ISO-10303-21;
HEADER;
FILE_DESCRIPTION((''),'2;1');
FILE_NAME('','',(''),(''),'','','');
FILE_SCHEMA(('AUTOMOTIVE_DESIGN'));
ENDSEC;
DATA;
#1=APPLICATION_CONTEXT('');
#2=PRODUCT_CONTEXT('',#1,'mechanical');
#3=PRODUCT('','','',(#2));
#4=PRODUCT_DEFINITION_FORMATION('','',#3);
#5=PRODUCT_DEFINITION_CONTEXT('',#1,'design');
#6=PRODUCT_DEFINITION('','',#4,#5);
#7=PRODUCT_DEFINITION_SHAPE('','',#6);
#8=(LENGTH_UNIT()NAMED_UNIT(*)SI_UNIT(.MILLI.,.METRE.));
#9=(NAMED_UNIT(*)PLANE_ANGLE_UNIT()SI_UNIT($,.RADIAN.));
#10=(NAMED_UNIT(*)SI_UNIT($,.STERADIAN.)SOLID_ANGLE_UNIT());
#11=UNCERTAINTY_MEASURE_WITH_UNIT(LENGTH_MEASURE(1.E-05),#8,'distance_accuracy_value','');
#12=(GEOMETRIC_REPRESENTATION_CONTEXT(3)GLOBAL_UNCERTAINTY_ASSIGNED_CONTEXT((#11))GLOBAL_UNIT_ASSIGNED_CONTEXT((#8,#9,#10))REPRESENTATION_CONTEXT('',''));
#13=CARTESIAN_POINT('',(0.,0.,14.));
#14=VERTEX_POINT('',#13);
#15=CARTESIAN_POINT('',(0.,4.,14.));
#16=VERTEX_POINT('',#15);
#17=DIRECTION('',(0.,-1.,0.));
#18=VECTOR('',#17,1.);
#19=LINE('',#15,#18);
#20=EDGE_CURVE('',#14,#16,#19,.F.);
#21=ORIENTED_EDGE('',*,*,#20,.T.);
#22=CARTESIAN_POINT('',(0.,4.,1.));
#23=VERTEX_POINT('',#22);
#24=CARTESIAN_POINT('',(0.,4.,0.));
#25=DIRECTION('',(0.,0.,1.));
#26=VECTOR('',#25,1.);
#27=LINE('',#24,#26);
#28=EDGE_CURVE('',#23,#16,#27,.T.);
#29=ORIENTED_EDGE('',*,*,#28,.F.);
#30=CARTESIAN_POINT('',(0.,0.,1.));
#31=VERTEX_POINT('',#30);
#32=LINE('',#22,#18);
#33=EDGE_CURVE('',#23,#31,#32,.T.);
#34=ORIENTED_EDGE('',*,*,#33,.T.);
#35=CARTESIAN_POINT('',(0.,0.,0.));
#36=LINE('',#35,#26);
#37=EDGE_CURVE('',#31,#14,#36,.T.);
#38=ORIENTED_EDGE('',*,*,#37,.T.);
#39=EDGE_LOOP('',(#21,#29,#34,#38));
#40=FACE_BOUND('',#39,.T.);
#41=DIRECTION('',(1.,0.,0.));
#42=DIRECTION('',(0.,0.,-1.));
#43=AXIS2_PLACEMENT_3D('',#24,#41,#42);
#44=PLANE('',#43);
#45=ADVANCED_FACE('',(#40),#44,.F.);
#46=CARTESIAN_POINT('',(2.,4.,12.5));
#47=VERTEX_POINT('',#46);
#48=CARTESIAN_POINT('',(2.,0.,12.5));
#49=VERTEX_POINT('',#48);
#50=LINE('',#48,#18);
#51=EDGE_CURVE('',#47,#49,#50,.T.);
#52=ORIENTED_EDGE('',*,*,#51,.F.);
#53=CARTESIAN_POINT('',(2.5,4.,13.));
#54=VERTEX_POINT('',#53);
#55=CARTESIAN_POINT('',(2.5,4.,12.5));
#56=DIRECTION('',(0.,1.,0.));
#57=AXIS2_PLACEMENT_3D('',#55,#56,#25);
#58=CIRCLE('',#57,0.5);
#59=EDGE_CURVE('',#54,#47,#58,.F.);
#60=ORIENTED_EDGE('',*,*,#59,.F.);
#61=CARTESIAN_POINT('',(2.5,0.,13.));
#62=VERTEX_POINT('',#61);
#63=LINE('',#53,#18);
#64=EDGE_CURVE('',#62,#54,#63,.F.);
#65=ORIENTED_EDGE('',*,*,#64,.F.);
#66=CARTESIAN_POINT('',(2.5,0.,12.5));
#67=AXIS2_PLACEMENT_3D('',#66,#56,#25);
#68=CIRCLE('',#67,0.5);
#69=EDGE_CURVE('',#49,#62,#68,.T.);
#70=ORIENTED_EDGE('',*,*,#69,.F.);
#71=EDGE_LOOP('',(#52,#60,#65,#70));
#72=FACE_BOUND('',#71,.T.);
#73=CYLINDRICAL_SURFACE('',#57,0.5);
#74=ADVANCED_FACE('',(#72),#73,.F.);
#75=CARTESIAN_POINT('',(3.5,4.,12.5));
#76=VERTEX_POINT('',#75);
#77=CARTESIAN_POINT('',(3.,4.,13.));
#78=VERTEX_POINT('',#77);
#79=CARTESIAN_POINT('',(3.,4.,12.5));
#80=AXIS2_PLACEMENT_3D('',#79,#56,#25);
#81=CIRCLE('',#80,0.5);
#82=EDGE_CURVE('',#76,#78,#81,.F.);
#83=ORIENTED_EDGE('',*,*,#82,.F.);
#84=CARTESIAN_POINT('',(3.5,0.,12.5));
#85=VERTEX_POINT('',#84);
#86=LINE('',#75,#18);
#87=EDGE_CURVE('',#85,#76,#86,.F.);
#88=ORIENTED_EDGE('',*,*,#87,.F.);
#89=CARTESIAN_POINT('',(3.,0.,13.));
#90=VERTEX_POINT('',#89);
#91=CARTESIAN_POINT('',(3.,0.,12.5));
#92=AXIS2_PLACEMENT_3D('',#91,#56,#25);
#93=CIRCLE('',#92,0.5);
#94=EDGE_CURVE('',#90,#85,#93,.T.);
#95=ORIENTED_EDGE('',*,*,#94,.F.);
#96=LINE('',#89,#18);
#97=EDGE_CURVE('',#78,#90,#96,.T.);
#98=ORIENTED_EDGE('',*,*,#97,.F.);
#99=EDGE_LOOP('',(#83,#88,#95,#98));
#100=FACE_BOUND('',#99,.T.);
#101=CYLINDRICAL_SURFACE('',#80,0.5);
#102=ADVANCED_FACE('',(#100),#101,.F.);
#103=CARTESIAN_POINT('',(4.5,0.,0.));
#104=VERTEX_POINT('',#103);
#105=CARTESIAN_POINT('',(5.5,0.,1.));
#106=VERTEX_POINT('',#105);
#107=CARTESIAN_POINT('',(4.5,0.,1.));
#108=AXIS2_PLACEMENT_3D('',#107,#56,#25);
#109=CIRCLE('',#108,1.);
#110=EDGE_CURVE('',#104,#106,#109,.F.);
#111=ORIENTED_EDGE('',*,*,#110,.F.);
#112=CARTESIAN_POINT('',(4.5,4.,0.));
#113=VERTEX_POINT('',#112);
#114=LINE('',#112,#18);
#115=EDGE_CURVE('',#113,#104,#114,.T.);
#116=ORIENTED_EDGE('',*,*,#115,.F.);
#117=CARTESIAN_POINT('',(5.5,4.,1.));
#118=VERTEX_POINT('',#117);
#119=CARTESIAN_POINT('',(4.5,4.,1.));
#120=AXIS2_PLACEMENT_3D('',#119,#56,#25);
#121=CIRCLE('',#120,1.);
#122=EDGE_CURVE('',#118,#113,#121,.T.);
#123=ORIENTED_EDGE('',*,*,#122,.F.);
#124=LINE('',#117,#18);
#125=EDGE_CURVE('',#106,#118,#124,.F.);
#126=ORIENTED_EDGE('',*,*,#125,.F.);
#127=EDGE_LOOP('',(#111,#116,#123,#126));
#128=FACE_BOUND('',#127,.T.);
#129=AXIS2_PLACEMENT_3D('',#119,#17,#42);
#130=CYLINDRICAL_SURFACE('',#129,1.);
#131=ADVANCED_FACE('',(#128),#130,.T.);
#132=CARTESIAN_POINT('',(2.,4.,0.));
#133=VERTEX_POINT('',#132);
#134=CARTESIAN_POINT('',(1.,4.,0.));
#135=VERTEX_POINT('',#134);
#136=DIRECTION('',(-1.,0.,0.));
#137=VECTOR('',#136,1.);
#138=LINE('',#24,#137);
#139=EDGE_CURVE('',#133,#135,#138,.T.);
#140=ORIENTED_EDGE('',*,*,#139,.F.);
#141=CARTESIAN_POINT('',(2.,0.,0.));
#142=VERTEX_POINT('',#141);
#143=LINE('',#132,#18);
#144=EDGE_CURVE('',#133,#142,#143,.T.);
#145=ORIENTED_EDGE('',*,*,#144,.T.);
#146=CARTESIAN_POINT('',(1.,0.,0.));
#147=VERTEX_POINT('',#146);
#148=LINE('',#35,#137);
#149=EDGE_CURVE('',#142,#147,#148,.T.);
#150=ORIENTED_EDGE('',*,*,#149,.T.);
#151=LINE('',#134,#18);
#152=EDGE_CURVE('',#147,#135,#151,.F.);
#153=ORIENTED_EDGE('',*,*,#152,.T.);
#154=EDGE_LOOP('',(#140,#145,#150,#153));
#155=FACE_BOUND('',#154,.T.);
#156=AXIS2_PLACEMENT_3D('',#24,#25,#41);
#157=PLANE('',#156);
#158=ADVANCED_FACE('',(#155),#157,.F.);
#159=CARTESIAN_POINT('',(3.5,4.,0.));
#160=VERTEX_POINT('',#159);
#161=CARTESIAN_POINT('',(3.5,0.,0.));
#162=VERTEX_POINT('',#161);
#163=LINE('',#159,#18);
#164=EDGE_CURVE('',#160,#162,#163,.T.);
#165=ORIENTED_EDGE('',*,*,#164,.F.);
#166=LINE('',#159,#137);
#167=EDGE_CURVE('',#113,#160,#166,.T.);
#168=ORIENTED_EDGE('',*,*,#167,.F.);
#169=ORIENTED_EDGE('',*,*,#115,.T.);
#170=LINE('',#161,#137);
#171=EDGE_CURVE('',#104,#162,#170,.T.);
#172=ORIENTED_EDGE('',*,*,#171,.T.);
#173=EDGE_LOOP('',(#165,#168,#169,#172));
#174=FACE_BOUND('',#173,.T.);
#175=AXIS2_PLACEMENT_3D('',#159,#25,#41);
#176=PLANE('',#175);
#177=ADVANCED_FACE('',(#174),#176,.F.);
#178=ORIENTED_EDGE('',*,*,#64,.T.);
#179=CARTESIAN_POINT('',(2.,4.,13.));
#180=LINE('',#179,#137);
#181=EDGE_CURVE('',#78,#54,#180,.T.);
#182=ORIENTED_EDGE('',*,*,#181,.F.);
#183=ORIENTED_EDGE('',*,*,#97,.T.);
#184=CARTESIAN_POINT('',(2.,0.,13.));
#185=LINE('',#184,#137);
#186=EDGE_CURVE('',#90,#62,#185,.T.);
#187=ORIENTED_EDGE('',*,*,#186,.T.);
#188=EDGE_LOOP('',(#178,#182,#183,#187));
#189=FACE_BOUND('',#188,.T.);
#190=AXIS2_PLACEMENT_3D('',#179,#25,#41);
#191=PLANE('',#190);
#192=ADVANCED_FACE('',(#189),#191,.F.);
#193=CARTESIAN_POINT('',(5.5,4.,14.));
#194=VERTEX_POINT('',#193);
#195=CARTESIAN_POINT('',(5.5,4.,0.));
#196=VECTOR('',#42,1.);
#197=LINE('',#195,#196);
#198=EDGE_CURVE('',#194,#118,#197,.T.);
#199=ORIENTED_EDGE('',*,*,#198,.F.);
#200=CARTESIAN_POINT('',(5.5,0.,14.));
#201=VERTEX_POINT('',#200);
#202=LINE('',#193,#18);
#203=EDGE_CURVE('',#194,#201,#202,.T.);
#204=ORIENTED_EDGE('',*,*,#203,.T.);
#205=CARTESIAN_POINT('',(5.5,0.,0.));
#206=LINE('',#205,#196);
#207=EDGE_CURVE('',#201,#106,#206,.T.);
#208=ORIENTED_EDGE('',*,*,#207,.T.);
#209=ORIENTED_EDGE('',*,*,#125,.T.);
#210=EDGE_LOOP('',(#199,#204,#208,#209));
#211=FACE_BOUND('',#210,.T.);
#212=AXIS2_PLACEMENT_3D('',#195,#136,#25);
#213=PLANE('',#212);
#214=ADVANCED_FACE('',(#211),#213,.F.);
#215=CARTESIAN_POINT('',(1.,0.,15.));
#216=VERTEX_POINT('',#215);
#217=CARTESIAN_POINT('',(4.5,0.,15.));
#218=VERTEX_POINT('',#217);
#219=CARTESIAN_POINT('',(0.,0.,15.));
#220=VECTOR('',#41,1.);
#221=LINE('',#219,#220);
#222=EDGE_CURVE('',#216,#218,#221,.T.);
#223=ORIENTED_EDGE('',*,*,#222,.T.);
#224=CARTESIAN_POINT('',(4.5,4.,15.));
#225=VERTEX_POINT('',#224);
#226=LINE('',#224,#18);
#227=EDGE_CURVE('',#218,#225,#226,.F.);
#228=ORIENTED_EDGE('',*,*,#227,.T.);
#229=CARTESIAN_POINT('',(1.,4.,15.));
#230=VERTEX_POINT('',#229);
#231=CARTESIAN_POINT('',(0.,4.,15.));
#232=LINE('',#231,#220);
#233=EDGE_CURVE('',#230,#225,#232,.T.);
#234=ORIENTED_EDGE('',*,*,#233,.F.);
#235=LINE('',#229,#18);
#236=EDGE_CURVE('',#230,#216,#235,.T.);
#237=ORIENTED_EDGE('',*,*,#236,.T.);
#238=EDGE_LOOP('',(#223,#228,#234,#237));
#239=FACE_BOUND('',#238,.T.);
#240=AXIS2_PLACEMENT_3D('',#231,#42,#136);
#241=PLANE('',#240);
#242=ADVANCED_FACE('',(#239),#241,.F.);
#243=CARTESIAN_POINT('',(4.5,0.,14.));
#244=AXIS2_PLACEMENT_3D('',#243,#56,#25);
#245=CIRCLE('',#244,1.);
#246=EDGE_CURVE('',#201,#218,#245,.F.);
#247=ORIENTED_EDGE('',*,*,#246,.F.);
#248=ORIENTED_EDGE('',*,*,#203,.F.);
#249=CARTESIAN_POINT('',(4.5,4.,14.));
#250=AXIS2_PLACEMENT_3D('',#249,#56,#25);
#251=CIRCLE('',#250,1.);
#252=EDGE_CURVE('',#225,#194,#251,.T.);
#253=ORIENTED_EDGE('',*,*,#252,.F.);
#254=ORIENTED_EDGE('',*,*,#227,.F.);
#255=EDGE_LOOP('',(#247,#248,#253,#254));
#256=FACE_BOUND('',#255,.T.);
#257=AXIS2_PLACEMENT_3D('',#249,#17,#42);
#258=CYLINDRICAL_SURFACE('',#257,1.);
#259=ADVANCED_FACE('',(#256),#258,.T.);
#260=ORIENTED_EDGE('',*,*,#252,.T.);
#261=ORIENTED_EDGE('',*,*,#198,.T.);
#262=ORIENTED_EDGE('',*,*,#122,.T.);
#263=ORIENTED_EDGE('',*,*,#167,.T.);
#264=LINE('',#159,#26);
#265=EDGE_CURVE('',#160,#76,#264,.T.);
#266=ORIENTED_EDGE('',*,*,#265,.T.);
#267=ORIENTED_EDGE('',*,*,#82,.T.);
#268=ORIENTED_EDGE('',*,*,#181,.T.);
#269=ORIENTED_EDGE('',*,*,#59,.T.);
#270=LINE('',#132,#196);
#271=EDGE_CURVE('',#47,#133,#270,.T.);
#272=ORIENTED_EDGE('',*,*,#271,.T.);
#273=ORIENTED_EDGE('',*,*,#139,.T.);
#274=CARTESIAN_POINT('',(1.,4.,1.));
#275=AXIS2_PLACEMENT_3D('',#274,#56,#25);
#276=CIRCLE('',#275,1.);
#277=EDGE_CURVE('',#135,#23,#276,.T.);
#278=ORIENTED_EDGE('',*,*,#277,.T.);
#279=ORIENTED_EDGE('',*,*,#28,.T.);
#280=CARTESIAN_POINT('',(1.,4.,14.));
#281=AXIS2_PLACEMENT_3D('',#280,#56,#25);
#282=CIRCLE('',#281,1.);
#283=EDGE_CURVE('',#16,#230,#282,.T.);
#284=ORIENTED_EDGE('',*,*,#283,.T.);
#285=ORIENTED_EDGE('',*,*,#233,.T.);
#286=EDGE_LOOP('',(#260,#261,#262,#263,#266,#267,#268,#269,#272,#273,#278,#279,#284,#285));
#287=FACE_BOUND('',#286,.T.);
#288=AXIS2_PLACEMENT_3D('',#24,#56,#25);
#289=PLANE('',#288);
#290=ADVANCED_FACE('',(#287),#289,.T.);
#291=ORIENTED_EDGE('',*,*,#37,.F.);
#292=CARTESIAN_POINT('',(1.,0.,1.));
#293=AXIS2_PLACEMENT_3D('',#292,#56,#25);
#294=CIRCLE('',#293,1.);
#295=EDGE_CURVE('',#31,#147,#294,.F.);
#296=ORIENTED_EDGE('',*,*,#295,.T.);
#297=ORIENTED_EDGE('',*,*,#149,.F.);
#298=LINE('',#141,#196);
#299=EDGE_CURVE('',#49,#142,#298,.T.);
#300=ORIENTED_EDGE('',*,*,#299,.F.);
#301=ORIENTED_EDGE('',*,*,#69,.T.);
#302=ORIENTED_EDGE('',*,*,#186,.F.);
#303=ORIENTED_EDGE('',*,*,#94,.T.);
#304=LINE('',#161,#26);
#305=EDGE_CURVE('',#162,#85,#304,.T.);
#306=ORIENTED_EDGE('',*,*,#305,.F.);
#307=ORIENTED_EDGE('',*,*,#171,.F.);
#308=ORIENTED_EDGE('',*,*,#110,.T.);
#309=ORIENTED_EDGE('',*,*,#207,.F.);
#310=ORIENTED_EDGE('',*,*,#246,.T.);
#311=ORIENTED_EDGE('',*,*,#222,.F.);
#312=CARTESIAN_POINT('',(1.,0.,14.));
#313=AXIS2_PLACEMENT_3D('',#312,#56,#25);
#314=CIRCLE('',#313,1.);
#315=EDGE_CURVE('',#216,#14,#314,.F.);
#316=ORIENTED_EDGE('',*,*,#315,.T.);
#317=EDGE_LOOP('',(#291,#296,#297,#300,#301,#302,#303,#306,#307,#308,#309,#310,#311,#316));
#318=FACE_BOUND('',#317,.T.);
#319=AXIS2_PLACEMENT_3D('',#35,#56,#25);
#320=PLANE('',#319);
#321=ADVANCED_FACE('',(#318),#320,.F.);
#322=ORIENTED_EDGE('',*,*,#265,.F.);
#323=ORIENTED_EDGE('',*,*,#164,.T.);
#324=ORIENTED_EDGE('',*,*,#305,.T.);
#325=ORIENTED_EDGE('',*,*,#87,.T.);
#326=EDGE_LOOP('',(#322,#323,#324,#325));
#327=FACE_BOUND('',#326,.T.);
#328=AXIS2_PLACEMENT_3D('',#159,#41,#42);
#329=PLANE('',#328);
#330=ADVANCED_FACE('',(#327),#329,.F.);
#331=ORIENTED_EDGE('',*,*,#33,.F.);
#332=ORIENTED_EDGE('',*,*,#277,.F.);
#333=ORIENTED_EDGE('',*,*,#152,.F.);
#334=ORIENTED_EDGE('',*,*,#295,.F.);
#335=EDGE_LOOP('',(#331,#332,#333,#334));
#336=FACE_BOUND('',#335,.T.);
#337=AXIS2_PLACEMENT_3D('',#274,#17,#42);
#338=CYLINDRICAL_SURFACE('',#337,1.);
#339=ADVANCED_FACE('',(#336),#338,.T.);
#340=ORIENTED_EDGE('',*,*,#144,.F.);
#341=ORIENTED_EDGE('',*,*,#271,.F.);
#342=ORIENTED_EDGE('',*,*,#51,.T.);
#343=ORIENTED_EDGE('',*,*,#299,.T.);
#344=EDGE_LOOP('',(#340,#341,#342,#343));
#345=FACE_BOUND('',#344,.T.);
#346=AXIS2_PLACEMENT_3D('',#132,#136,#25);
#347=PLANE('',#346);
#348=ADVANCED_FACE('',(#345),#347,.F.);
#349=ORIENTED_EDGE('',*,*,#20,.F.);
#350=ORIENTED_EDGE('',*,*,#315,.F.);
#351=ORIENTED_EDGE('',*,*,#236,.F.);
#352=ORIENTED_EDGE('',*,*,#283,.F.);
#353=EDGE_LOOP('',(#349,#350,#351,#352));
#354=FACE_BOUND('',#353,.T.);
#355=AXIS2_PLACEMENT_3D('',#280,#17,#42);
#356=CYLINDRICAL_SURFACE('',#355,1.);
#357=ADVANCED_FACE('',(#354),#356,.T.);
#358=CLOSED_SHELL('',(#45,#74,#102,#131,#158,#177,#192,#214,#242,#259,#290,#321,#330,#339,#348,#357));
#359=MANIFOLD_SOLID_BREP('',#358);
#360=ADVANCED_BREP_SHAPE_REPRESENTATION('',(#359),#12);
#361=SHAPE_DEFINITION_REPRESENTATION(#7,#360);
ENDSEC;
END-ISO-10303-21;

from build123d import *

# Parameters (mm, degrees)
SALIENTE_EXTRUIR1_DEPTH = 4
REDONDEO1_R             = 1
REDONDEO2_R             = 0.5


with BuildPart() as part:
    # Croquis1 → Saliente-Extruir1 (new body)
    with BuildSketch(Plane(origin=(0, 0, 0), x_dir=(1, 0, 0), z_dir=(0, 1, 0))):
        Polygon((3.5, 0), (5.5, 0), (5.5, -15), (0, -15), (0, 0), (2, 0), (2, -13), (3.5, -13), align=None)
    extrude(amount=SALIENTE_EXTRUIR1_DEPTH)

    # Redondeo1
    redondeo1_edges = [part.edges().sort_by_distance(p)[0] for p in [
        (0, 2, 0),
        (5.5, 2, 0),
        (5.5, 2, 15),
        (0, 2, 15),
    ]]
    fillet(redondeo1_edges, radius=REDONDEO1_R)

    # Redondeo2
    redondeo2_edges = [part.edges().sort_by_distance(p)[0] for p in [
        (2, 2, 13),
        (3.5, 2, 13),
    ]]
    fillet(redondeo2_edges, radius=REDONDEO2_R)


solid = part.part
